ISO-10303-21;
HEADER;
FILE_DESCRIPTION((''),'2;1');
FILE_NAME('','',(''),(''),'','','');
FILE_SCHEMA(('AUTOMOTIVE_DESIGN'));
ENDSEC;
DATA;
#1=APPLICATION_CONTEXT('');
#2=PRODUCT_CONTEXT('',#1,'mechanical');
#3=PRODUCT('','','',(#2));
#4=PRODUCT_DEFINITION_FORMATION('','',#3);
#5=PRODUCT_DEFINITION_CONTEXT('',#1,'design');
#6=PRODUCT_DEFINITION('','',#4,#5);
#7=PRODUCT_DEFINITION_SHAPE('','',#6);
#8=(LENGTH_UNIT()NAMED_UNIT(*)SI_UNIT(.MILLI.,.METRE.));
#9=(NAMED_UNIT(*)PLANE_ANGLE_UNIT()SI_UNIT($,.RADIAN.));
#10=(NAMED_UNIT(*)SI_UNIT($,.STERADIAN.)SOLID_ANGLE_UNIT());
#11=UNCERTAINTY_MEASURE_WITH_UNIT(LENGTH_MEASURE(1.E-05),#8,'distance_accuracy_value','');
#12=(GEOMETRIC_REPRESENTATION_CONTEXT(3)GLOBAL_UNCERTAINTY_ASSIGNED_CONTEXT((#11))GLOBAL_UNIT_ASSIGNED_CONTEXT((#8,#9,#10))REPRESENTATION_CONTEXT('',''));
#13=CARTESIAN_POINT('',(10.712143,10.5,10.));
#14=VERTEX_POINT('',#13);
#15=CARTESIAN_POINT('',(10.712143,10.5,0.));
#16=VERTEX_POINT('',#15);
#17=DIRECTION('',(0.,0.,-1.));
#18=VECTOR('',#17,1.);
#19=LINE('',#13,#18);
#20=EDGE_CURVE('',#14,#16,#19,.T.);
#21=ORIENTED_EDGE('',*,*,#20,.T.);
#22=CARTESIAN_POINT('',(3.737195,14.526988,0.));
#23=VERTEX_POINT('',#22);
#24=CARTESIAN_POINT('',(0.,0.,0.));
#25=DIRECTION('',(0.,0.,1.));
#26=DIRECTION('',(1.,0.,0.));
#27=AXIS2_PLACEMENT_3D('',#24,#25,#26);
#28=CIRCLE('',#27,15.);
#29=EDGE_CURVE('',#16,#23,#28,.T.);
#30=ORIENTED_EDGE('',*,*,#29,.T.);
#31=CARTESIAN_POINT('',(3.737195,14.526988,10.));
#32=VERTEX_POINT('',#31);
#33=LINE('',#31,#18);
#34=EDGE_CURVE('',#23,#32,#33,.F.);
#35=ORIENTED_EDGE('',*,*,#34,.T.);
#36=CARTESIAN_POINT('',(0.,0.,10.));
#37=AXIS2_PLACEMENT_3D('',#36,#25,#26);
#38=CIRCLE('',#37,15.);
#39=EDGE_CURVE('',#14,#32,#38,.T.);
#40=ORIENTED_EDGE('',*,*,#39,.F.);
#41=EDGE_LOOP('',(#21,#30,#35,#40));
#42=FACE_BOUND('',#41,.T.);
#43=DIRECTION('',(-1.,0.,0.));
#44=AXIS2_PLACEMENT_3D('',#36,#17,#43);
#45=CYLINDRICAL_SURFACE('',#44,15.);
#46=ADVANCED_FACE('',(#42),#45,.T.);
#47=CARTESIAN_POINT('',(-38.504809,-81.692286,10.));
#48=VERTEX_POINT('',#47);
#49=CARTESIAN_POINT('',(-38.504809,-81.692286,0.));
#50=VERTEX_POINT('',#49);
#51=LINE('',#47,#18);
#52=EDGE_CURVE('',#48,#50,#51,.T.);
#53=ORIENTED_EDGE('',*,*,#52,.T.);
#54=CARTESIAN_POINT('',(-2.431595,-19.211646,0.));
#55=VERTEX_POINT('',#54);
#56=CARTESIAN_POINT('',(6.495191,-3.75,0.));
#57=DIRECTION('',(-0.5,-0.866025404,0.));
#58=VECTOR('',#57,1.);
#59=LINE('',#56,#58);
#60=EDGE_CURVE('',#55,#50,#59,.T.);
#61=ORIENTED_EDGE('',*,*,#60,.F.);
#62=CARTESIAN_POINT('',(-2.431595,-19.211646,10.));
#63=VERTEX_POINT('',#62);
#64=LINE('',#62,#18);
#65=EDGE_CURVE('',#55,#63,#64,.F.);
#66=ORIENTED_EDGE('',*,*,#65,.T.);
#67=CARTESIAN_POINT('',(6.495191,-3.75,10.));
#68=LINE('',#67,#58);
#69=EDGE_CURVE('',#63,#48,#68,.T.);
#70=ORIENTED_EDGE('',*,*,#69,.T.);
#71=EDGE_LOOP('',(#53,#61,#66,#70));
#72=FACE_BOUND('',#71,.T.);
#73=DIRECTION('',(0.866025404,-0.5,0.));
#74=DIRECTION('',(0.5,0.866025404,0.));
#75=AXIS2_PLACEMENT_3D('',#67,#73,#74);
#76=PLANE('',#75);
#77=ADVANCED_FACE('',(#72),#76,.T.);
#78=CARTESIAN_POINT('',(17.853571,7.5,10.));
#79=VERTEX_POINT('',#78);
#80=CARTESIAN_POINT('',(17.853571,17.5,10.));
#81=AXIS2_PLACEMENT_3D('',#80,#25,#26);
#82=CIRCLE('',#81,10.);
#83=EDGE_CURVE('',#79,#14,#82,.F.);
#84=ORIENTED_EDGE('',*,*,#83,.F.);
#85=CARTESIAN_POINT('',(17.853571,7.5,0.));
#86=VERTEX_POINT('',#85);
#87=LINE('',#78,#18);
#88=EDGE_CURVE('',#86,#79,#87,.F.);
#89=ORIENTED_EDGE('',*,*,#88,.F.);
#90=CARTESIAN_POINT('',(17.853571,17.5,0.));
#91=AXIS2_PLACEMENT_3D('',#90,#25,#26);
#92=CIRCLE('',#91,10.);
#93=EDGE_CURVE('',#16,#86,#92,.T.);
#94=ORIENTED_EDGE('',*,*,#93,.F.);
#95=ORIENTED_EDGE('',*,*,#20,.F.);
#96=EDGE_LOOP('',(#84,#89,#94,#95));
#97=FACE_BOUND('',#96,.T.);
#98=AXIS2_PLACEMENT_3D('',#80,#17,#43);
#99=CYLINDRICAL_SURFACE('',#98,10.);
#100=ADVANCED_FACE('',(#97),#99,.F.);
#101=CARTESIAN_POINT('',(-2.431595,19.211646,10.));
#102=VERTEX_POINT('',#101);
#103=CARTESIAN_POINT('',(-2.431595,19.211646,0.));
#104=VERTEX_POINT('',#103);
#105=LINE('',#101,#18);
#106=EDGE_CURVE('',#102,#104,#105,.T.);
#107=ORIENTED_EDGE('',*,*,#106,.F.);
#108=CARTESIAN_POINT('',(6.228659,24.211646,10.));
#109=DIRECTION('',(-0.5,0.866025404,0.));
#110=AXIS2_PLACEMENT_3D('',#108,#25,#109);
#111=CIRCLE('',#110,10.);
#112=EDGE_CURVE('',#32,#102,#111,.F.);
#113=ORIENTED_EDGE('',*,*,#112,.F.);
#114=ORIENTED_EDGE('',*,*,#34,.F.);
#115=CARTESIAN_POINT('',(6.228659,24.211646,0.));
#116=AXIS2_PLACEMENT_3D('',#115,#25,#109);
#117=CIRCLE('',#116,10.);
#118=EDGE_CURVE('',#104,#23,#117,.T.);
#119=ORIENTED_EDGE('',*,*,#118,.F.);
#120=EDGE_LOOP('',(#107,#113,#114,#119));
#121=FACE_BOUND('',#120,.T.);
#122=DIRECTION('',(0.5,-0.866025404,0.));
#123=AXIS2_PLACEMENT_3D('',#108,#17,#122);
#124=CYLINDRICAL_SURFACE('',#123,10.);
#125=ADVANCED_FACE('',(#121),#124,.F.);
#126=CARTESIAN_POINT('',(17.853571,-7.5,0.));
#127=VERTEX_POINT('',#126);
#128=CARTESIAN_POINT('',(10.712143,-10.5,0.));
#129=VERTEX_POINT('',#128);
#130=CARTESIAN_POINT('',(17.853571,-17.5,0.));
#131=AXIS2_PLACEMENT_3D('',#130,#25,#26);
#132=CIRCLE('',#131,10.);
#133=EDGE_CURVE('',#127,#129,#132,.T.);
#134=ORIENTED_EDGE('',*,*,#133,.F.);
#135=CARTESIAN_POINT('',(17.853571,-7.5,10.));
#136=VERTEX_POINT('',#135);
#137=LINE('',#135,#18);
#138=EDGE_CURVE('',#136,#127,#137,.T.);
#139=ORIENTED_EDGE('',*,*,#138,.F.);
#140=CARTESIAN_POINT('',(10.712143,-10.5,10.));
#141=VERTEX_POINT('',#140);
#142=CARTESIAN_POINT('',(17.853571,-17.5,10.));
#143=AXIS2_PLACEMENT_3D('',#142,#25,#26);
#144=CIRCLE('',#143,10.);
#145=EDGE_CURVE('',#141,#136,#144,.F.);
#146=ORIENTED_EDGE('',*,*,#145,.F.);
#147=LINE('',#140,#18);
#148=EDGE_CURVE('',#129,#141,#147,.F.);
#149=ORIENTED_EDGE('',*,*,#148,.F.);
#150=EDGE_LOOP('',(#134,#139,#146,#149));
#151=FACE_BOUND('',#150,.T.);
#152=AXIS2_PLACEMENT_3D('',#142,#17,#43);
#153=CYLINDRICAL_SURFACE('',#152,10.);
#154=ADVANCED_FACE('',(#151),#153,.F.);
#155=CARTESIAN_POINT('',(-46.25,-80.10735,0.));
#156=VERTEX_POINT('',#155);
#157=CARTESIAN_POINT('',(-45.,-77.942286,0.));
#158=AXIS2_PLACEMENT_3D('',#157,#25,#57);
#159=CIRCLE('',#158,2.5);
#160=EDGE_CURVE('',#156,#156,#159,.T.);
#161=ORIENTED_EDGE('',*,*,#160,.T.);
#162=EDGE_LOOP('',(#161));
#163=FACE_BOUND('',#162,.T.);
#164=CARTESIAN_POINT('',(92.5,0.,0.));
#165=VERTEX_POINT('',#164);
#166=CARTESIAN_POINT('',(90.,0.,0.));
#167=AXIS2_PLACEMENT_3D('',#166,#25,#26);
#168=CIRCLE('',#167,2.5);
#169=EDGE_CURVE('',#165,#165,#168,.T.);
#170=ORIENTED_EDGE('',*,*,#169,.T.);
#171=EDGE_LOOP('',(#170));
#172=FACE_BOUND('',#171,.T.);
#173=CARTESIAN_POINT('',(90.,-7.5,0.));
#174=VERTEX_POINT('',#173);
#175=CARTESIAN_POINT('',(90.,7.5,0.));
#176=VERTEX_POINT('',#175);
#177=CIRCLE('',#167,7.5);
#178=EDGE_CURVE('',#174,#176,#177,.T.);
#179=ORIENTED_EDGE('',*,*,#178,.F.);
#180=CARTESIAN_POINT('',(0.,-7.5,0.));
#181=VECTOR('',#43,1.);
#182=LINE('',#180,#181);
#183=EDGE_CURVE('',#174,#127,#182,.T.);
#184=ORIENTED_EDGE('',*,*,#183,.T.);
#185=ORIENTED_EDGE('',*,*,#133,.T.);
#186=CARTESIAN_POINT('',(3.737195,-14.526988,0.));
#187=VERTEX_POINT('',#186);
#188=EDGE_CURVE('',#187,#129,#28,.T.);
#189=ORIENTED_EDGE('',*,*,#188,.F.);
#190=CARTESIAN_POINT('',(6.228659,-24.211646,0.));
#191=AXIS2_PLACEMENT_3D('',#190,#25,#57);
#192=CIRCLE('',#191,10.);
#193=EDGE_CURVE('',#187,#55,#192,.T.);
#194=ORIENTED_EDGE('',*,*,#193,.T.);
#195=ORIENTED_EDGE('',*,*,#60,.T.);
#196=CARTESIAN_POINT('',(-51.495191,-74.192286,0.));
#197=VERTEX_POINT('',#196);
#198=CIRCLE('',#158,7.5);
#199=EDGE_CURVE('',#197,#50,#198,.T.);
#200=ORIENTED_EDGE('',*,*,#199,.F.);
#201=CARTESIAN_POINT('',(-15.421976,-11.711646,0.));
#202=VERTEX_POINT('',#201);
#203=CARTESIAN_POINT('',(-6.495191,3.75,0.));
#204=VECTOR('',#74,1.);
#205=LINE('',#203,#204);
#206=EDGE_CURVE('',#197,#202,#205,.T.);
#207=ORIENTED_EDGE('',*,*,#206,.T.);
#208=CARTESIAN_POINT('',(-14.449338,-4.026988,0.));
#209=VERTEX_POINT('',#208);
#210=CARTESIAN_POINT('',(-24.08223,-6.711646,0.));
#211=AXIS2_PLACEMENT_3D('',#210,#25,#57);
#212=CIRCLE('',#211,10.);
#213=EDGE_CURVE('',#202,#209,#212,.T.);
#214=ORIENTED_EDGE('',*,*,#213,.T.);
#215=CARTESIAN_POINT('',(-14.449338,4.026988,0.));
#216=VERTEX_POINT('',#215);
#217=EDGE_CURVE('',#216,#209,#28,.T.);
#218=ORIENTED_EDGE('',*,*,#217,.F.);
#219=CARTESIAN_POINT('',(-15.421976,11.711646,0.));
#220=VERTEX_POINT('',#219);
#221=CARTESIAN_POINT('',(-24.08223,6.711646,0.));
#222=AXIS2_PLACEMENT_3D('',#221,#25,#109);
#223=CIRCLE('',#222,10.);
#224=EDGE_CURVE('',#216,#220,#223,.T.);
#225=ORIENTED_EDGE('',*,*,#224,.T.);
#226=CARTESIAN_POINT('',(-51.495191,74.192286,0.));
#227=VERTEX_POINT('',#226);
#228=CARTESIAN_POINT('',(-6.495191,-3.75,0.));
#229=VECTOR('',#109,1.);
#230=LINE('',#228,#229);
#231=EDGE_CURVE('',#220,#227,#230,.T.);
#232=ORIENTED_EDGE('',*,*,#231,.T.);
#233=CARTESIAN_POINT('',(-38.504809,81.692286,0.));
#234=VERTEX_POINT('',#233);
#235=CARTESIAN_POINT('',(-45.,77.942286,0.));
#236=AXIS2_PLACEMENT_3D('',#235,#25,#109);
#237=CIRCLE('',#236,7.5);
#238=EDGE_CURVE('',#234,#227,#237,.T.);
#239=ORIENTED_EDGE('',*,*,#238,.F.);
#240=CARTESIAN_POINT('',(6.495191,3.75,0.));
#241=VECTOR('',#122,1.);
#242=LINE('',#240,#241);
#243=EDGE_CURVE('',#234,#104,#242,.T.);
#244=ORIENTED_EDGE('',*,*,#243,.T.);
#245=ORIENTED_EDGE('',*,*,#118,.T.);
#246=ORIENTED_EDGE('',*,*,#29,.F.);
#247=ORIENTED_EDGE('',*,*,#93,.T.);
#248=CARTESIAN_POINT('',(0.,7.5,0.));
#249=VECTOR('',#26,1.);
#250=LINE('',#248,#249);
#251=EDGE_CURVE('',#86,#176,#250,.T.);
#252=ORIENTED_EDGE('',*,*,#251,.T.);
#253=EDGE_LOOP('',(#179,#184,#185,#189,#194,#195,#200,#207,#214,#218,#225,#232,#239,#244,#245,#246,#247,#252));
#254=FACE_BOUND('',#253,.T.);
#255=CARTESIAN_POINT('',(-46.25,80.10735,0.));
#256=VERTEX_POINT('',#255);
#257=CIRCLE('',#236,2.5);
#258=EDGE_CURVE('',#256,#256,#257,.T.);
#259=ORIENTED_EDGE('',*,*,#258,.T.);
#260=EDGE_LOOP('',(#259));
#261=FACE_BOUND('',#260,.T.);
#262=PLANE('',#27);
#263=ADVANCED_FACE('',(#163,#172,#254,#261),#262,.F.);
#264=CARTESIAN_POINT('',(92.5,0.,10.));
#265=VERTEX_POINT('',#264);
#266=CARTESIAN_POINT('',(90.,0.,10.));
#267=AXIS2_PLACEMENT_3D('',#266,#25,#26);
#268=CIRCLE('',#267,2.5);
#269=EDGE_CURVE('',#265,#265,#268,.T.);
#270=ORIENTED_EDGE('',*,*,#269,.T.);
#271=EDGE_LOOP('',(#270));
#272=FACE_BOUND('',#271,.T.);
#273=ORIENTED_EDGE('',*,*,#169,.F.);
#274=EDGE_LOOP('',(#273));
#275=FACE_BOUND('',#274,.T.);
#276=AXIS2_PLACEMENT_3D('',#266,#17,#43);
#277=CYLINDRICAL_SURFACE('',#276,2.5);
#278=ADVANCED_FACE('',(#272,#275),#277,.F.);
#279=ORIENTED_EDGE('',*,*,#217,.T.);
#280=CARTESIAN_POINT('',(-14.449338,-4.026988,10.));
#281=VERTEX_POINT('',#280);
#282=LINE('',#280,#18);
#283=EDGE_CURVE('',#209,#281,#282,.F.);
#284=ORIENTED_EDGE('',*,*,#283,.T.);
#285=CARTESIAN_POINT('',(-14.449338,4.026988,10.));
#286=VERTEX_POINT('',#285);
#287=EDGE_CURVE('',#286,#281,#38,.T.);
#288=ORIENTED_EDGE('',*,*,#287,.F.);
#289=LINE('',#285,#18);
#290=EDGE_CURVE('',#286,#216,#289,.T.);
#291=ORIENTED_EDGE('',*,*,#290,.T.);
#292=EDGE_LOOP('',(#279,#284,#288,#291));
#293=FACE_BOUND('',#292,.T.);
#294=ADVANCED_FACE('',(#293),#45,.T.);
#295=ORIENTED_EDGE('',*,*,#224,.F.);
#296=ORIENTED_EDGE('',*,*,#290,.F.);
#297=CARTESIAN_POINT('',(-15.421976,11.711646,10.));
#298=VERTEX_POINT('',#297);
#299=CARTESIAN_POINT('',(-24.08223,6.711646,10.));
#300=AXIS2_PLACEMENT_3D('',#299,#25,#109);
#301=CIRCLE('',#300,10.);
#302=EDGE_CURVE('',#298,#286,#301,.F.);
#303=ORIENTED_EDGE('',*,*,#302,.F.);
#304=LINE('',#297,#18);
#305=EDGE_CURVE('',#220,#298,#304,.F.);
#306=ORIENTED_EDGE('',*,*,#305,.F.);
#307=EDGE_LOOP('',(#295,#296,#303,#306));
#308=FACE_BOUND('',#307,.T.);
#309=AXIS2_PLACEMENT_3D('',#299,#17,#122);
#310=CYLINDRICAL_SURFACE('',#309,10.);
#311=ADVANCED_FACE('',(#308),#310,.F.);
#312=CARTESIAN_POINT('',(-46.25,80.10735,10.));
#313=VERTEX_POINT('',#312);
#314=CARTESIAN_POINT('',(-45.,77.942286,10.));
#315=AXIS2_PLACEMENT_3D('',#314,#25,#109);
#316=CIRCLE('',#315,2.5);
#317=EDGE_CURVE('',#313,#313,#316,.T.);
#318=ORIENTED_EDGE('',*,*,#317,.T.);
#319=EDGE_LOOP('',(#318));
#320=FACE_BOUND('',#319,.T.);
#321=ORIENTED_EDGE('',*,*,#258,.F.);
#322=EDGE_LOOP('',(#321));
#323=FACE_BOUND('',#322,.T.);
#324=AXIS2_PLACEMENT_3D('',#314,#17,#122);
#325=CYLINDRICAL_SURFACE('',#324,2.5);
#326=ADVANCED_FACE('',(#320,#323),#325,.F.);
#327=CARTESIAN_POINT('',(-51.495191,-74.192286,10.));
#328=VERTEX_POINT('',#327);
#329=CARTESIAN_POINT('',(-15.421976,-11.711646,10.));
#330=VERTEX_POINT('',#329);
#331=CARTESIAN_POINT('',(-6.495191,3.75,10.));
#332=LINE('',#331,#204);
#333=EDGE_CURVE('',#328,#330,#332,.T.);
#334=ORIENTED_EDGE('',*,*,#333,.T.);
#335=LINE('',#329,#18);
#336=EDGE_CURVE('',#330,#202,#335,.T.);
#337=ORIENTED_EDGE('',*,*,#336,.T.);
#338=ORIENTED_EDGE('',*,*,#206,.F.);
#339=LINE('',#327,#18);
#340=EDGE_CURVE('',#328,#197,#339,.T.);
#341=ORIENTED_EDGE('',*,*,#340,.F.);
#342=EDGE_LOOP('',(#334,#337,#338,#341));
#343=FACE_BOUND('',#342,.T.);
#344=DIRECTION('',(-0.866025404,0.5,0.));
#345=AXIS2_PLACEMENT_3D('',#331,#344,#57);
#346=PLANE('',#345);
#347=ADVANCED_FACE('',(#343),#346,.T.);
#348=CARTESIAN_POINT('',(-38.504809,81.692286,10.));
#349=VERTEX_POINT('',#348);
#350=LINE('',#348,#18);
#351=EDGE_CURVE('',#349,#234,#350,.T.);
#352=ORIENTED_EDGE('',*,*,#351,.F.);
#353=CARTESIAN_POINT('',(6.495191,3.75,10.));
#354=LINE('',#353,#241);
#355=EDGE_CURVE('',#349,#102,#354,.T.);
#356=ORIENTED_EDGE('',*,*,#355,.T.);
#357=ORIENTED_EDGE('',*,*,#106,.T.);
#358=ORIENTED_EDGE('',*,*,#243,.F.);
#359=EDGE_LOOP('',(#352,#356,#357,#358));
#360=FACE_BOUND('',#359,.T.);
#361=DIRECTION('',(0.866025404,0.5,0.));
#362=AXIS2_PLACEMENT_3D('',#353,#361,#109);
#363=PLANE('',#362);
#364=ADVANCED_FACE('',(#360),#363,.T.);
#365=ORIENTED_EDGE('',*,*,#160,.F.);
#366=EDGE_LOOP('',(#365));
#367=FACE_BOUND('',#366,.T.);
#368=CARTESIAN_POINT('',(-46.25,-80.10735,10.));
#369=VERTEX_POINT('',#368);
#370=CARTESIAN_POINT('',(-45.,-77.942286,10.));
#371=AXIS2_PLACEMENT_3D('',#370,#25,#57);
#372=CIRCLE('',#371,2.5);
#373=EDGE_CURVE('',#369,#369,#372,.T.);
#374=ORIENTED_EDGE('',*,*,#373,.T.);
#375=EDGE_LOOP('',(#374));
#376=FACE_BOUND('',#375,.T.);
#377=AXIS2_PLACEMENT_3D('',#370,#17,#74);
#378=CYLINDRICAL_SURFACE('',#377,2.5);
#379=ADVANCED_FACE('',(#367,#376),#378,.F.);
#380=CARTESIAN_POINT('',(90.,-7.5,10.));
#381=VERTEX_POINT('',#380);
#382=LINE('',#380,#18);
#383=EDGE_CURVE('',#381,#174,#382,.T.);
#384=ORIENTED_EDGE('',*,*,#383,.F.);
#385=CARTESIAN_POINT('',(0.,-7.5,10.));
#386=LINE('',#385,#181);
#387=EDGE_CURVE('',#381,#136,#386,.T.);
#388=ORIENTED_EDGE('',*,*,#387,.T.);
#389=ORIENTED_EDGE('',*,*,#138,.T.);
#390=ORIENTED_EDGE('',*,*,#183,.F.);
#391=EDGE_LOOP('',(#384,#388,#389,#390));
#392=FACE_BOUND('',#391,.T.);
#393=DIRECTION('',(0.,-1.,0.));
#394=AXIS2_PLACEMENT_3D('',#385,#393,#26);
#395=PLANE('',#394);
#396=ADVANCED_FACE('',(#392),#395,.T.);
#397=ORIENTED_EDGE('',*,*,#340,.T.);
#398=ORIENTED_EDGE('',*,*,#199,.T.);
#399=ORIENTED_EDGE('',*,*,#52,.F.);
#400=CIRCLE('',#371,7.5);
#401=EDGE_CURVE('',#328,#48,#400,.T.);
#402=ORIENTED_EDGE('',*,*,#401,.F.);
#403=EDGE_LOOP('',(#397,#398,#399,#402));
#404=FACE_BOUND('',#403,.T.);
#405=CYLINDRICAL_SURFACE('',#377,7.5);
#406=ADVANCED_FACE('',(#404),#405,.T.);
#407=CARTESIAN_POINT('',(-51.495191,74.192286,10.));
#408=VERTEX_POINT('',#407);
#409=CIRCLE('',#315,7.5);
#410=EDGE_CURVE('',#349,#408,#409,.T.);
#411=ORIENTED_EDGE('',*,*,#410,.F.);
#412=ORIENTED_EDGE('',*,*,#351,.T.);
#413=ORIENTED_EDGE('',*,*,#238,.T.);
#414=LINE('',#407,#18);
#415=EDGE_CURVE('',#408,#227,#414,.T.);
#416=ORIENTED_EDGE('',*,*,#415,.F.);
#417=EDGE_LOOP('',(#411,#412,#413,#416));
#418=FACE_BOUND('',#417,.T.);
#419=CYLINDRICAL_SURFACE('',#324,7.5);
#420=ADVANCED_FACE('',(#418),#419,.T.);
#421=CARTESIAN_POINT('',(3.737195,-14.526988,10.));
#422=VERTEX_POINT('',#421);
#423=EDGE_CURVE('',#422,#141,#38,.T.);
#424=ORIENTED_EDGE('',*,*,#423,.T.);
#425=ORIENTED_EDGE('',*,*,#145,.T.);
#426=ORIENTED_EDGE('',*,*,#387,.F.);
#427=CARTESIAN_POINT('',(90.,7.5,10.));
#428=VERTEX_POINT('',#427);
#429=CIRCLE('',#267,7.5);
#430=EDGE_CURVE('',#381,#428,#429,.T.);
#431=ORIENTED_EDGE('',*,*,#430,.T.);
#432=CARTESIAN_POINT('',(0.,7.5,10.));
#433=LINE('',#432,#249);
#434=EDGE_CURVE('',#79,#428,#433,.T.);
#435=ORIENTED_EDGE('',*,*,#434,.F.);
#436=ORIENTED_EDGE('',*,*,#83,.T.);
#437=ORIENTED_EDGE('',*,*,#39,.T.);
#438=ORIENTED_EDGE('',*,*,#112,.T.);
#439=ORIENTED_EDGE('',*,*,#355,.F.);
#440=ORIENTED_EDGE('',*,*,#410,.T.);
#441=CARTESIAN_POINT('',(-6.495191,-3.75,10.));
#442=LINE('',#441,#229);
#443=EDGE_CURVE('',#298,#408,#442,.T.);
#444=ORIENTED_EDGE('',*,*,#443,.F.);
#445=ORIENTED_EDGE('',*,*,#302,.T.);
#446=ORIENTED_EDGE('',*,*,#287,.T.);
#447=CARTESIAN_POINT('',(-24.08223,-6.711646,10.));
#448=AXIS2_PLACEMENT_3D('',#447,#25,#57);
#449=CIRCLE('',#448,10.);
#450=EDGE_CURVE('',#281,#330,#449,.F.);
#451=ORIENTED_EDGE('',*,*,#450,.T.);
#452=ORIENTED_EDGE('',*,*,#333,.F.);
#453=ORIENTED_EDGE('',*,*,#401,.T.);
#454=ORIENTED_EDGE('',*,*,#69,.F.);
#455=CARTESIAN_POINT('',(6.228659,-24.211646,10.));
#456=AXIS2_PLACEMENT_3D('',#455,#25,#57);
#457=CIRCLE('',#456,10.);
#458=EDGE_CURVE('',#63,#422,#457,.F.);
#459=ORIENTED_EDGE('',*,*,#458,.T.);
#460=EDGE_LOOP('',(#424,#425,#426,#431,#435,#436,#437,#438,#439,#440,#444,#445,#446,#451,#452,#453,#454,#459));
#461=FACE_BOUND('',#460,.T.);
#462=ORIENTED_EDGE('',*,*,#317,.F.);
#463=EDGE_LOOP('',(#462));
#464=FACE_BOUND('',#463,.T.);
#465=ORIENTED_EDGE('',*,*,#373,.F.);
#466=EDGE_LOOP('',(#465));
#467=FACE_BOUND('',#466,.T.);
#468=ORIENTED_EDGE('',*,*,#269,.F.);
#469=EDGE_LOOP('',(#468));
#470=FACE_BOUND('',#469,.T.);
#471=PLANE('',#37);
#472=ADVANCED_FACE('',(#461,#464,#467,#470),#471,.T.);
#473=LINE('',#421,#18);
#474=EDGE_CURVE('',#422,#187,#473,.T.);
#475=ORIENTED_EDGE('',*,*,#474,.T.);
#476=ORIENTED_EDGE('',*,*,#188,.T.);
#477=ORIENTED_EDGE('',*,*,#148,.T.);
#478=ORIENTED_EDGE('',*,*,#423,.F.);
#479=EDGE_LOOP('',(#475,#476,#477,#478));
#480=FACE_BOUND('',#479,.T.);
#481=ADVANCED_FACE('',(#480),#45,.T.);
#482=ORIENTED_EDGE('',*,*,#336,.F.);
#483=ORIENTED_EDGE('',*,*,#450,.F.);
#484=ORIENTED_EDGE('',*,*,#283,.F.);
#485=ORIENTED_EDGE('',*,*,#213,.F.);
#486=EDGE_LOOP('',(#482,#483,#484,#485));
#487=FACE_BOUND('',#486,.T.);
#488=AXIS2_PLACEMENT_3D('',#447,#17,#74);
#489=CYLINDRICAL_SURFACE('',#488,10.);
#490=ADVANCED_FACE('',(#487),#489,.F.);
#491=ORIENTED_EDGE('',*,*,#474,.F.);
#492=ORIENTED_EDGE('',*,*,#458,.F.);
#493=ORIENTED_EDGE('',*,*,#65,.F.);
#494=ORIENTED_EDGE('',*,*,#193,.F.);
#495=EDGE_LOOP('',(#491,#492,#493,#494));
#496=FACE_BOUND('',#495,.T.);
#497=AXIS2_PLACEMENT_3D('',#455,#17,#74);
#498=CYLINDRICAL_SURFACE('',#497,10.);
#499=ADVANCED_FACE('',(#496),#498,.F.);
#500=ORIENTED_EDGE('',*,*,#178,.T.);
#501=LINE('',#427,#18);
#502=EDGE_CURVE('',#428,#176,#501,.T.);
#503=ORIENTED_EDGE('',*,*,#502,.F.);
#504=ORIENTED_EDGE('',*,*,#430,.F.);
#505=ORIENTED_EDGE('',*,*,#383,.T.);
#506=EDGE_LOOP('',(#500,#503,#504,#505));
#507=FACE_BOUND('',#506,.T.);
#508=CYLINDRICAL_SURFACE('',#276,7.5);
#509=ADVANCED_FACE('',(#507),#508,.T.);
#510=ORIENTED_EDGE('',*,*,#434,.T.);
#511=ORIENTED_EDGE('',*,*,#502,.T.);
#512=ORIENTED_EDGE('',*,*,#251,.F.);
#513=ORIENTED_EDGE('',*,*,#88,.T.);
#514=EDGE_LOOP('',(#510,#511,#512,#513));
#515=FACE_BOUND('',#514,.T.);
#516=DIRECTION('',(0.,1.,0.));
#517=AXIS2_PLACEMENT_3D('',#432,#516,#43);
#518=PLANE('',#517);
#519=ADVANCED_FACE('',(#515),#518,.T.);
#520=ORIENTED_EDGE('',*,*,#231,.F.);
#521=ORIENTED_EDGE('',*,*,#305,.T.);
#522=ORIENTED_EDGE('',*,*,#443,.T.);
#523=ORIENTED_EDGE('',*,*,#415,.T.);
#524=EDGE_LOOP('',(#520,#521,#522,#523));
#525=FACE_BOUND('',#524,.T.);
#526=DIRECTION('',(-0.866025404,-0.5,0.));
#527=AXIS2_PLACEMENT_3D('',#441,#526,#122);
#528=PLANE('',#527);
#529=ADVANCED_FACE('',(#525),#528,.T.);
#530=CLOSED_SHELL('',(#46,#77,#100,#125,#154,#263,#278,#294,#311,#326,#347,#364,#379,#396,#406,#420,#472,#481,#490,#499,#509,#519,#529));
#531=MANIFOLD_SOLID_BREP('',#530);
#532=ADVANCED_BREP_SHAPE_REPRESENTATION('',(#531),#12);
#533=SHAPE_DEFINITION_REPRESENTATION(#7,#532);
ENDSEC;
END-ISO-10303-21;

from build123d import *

# Parameters (mm, degrees)
SKETCH1_R                = 2.5
BOSS_EXTRUDE1_DEPTH      = 10
FILLET1_R                = 10
CIRPATTERN2_COUNT        = 3
FILLET1_OF_CIRPATTERN2_R = 10


with BuildPart() as part:
    # Sketch1 → Boss-Extrude1 (new body)
    with BuildSketch(Plane.XY):
        with BuildLine():
            Line((12.990381057, -7.5), (90, -7.5))
            ThreePointArc((90, -7.5), (97.5, 0), (90, 7.5))
            Line((90, 7.5), (12.990381057, 7.5))
            ThreePointArc((12.990381057, 7.5), (-15, 0), (12.990381057, -7.5))
        make_face()
        with Locations((90, 0)):
            Circle(SKETCH1_R, mode=Mode.SUBTRACT)
    boss_extrude1 = extrude(amount=BOSS_EXTRUDE1_DEPTH)

    # Fillet1
    fillet1_edges = [part.edges().sort_by_distance(p)[0] for p in [
        (12.990381057, -7.5, 5),
        (12.990381057, 7.5, 5),
    ]]
    fillet(fillet1_edges, radius=FILLET1_R)

    # CirPattern2: Boss-Extrude1 ×3 about axis
    cirpattern2_axis = Axis((0, 0, 0), (0, 0, 1))
    for i in range(1, CIRPATTERN2_COUNT):
        add(boss_extrude1.rotate(cirpattern2_axis, i * 360 / CIRPATTERN2_COUNT))

    # Fillet1 of CirPattern2
    fillet1_of_cirpattern2_edges = [part.edges().sort_by_distance(p)[0] for p in [
        (0, 15, 5),
        (-12.990381057, 7.5, 5),
        (-12.990381057, -7.5, 5),
        (0, -15, 5),
    ]]
    fillet(fillet1_of_cirpattern2_edges, radius=FILLET1_OF_CIRPATTERN2_R)


solid = part.part
